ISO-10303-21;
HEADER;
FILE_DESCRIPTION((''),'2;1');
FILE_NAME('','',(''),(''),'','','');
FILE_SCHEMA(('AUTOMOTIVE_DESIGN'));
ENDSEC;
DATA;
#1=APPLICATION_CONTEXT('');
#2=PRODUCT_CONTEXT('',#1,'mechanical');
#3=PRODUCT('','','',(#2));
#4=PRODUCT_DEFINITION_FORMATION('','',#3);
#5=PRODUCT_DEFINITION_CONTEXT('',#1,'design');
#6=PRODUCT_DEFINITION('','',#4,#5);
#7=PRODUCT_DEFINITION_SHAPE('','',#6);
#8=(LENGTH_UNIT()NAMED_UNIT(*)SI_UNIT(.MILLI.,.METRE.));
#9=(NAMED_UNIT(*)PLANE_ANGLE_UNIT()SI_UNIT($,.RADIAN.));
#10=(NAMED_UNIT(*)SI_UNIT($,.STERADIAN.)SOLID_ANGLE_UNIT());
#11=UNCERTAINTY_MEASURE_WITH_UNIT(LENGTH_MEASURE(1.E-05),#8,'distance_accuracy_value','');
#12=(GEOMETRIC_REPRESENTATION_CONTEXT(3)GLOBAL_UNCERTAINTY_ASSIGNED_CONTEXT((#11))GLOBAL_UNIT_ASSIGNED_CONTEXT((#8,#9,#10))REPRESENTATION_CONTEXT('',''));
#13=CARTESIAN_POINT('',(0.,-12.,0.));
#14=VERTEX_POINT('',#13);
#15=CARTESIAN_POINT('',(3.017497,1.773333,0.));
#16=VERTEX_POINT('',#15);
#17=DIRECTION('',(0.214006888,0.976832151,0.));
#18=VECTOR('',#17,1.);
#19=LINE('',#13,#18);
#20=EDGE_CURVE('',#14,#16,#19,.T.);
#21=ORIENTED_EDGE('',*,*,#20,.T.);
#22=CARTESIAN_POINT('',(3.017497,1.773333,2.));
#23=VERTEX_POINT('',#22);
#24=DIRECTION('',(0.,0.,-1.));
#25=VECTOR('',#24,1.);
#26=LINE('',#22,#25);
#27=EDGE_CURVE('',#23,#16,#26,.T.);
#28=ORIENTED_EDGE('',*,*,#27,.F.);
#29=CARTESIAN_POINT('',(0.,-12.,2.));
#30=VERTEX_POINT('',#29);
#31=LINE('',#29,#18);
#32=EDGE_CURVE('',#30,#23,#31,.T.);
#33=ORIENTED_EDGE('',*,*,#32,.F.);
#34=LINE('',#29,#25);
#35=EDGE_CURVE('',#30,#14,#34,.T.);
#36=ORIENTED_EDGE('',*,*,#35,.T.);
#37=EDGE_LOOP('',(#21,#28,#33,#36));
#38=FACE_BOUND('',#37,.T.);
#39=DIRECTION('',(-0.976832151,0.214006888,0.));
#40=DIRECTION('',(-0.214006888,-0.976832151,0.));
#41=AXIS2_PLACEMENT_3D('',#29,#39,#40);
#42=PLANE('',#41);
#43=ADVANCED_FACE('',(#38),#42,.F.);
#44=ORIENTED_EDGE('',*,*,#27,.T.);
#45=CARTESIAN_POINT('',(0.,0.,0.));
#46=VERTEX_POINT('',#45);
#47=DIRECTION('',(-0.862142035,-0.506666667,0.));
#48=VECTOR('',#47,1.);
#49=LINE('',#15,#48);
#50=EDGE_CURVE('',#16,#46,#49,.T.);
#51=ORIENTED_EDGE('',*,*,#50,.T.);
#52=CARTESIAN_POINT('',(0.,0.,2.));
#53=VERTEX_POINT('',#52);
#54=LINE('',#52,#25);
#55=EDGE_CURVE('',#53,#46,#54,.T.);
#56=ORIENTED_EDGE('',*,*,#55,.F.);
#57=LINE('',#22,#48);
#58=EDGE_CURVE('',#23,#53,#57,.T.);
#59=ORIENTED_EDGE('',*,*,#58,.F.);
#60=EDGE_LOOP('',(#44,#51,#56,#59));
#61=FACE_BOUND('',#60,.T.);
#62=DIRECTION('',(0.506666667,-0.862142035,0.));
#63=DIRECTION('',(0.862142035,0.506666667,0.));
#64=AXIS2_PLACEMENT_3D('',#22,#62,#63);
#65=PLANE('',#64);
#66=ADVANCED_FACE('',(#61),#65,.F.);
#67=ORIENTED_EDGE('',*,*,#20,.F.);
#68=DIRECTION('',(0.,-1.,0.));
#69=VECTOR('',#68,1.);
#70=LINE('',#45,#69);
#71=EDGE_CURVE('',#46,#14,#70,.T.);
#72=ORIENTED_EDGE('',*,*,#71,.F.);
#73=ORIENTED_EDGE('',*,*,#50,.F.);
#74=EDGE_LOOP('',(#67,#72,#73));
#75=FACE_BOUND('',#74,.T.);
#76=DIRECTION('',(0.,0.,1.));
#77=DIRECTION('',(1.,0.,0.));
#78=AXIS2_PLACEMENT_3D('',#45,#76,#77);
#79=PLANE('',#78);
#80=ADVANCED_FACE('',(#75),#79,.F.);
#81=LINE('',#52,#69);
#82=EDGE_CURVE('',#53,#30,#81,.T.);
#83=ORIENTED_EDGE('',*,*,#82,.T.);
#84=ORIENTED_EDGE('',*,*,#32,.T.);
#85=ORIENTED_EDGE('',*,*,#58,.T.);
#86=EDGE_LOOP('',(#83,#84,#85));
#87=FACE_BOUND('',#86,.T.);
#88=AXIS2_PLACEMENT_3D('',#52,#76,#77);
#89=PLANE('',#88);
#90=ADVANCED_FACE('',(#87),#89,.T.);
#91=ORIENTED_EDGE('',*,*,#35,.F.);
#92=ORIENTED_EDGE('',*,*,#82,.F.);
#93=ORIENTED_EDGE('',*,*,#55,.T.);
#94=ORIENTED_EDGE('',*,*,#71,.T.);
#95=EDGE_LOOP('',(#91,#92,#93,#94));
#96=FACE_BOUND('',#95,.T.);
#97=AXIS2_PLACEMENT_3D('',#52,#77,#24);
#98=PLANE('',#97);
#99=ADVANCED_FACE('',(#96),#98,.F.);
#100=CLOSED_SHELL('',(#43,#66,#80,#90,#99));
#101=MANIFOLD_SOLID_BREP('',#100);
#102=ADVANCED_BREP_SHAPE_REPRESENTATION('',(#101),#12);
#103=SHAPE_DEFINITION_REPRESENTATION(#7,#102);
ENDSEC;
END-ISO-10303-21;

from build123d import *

# Parameters (mm, degrees)
BOSS_EXTRUDE1_DEPTH = 2


with BuildPart() as part:
    # Sketch1 → Boss-Extrude1 (new body)
    with BuildSketch(Plane.XY):
        Polygon((0, 0), (0, -12), (3.017497123, 1.773333333), align=None)
    extrude(amount=BOSS_EXTRUDE1_DEPTH)


solid = part.part
